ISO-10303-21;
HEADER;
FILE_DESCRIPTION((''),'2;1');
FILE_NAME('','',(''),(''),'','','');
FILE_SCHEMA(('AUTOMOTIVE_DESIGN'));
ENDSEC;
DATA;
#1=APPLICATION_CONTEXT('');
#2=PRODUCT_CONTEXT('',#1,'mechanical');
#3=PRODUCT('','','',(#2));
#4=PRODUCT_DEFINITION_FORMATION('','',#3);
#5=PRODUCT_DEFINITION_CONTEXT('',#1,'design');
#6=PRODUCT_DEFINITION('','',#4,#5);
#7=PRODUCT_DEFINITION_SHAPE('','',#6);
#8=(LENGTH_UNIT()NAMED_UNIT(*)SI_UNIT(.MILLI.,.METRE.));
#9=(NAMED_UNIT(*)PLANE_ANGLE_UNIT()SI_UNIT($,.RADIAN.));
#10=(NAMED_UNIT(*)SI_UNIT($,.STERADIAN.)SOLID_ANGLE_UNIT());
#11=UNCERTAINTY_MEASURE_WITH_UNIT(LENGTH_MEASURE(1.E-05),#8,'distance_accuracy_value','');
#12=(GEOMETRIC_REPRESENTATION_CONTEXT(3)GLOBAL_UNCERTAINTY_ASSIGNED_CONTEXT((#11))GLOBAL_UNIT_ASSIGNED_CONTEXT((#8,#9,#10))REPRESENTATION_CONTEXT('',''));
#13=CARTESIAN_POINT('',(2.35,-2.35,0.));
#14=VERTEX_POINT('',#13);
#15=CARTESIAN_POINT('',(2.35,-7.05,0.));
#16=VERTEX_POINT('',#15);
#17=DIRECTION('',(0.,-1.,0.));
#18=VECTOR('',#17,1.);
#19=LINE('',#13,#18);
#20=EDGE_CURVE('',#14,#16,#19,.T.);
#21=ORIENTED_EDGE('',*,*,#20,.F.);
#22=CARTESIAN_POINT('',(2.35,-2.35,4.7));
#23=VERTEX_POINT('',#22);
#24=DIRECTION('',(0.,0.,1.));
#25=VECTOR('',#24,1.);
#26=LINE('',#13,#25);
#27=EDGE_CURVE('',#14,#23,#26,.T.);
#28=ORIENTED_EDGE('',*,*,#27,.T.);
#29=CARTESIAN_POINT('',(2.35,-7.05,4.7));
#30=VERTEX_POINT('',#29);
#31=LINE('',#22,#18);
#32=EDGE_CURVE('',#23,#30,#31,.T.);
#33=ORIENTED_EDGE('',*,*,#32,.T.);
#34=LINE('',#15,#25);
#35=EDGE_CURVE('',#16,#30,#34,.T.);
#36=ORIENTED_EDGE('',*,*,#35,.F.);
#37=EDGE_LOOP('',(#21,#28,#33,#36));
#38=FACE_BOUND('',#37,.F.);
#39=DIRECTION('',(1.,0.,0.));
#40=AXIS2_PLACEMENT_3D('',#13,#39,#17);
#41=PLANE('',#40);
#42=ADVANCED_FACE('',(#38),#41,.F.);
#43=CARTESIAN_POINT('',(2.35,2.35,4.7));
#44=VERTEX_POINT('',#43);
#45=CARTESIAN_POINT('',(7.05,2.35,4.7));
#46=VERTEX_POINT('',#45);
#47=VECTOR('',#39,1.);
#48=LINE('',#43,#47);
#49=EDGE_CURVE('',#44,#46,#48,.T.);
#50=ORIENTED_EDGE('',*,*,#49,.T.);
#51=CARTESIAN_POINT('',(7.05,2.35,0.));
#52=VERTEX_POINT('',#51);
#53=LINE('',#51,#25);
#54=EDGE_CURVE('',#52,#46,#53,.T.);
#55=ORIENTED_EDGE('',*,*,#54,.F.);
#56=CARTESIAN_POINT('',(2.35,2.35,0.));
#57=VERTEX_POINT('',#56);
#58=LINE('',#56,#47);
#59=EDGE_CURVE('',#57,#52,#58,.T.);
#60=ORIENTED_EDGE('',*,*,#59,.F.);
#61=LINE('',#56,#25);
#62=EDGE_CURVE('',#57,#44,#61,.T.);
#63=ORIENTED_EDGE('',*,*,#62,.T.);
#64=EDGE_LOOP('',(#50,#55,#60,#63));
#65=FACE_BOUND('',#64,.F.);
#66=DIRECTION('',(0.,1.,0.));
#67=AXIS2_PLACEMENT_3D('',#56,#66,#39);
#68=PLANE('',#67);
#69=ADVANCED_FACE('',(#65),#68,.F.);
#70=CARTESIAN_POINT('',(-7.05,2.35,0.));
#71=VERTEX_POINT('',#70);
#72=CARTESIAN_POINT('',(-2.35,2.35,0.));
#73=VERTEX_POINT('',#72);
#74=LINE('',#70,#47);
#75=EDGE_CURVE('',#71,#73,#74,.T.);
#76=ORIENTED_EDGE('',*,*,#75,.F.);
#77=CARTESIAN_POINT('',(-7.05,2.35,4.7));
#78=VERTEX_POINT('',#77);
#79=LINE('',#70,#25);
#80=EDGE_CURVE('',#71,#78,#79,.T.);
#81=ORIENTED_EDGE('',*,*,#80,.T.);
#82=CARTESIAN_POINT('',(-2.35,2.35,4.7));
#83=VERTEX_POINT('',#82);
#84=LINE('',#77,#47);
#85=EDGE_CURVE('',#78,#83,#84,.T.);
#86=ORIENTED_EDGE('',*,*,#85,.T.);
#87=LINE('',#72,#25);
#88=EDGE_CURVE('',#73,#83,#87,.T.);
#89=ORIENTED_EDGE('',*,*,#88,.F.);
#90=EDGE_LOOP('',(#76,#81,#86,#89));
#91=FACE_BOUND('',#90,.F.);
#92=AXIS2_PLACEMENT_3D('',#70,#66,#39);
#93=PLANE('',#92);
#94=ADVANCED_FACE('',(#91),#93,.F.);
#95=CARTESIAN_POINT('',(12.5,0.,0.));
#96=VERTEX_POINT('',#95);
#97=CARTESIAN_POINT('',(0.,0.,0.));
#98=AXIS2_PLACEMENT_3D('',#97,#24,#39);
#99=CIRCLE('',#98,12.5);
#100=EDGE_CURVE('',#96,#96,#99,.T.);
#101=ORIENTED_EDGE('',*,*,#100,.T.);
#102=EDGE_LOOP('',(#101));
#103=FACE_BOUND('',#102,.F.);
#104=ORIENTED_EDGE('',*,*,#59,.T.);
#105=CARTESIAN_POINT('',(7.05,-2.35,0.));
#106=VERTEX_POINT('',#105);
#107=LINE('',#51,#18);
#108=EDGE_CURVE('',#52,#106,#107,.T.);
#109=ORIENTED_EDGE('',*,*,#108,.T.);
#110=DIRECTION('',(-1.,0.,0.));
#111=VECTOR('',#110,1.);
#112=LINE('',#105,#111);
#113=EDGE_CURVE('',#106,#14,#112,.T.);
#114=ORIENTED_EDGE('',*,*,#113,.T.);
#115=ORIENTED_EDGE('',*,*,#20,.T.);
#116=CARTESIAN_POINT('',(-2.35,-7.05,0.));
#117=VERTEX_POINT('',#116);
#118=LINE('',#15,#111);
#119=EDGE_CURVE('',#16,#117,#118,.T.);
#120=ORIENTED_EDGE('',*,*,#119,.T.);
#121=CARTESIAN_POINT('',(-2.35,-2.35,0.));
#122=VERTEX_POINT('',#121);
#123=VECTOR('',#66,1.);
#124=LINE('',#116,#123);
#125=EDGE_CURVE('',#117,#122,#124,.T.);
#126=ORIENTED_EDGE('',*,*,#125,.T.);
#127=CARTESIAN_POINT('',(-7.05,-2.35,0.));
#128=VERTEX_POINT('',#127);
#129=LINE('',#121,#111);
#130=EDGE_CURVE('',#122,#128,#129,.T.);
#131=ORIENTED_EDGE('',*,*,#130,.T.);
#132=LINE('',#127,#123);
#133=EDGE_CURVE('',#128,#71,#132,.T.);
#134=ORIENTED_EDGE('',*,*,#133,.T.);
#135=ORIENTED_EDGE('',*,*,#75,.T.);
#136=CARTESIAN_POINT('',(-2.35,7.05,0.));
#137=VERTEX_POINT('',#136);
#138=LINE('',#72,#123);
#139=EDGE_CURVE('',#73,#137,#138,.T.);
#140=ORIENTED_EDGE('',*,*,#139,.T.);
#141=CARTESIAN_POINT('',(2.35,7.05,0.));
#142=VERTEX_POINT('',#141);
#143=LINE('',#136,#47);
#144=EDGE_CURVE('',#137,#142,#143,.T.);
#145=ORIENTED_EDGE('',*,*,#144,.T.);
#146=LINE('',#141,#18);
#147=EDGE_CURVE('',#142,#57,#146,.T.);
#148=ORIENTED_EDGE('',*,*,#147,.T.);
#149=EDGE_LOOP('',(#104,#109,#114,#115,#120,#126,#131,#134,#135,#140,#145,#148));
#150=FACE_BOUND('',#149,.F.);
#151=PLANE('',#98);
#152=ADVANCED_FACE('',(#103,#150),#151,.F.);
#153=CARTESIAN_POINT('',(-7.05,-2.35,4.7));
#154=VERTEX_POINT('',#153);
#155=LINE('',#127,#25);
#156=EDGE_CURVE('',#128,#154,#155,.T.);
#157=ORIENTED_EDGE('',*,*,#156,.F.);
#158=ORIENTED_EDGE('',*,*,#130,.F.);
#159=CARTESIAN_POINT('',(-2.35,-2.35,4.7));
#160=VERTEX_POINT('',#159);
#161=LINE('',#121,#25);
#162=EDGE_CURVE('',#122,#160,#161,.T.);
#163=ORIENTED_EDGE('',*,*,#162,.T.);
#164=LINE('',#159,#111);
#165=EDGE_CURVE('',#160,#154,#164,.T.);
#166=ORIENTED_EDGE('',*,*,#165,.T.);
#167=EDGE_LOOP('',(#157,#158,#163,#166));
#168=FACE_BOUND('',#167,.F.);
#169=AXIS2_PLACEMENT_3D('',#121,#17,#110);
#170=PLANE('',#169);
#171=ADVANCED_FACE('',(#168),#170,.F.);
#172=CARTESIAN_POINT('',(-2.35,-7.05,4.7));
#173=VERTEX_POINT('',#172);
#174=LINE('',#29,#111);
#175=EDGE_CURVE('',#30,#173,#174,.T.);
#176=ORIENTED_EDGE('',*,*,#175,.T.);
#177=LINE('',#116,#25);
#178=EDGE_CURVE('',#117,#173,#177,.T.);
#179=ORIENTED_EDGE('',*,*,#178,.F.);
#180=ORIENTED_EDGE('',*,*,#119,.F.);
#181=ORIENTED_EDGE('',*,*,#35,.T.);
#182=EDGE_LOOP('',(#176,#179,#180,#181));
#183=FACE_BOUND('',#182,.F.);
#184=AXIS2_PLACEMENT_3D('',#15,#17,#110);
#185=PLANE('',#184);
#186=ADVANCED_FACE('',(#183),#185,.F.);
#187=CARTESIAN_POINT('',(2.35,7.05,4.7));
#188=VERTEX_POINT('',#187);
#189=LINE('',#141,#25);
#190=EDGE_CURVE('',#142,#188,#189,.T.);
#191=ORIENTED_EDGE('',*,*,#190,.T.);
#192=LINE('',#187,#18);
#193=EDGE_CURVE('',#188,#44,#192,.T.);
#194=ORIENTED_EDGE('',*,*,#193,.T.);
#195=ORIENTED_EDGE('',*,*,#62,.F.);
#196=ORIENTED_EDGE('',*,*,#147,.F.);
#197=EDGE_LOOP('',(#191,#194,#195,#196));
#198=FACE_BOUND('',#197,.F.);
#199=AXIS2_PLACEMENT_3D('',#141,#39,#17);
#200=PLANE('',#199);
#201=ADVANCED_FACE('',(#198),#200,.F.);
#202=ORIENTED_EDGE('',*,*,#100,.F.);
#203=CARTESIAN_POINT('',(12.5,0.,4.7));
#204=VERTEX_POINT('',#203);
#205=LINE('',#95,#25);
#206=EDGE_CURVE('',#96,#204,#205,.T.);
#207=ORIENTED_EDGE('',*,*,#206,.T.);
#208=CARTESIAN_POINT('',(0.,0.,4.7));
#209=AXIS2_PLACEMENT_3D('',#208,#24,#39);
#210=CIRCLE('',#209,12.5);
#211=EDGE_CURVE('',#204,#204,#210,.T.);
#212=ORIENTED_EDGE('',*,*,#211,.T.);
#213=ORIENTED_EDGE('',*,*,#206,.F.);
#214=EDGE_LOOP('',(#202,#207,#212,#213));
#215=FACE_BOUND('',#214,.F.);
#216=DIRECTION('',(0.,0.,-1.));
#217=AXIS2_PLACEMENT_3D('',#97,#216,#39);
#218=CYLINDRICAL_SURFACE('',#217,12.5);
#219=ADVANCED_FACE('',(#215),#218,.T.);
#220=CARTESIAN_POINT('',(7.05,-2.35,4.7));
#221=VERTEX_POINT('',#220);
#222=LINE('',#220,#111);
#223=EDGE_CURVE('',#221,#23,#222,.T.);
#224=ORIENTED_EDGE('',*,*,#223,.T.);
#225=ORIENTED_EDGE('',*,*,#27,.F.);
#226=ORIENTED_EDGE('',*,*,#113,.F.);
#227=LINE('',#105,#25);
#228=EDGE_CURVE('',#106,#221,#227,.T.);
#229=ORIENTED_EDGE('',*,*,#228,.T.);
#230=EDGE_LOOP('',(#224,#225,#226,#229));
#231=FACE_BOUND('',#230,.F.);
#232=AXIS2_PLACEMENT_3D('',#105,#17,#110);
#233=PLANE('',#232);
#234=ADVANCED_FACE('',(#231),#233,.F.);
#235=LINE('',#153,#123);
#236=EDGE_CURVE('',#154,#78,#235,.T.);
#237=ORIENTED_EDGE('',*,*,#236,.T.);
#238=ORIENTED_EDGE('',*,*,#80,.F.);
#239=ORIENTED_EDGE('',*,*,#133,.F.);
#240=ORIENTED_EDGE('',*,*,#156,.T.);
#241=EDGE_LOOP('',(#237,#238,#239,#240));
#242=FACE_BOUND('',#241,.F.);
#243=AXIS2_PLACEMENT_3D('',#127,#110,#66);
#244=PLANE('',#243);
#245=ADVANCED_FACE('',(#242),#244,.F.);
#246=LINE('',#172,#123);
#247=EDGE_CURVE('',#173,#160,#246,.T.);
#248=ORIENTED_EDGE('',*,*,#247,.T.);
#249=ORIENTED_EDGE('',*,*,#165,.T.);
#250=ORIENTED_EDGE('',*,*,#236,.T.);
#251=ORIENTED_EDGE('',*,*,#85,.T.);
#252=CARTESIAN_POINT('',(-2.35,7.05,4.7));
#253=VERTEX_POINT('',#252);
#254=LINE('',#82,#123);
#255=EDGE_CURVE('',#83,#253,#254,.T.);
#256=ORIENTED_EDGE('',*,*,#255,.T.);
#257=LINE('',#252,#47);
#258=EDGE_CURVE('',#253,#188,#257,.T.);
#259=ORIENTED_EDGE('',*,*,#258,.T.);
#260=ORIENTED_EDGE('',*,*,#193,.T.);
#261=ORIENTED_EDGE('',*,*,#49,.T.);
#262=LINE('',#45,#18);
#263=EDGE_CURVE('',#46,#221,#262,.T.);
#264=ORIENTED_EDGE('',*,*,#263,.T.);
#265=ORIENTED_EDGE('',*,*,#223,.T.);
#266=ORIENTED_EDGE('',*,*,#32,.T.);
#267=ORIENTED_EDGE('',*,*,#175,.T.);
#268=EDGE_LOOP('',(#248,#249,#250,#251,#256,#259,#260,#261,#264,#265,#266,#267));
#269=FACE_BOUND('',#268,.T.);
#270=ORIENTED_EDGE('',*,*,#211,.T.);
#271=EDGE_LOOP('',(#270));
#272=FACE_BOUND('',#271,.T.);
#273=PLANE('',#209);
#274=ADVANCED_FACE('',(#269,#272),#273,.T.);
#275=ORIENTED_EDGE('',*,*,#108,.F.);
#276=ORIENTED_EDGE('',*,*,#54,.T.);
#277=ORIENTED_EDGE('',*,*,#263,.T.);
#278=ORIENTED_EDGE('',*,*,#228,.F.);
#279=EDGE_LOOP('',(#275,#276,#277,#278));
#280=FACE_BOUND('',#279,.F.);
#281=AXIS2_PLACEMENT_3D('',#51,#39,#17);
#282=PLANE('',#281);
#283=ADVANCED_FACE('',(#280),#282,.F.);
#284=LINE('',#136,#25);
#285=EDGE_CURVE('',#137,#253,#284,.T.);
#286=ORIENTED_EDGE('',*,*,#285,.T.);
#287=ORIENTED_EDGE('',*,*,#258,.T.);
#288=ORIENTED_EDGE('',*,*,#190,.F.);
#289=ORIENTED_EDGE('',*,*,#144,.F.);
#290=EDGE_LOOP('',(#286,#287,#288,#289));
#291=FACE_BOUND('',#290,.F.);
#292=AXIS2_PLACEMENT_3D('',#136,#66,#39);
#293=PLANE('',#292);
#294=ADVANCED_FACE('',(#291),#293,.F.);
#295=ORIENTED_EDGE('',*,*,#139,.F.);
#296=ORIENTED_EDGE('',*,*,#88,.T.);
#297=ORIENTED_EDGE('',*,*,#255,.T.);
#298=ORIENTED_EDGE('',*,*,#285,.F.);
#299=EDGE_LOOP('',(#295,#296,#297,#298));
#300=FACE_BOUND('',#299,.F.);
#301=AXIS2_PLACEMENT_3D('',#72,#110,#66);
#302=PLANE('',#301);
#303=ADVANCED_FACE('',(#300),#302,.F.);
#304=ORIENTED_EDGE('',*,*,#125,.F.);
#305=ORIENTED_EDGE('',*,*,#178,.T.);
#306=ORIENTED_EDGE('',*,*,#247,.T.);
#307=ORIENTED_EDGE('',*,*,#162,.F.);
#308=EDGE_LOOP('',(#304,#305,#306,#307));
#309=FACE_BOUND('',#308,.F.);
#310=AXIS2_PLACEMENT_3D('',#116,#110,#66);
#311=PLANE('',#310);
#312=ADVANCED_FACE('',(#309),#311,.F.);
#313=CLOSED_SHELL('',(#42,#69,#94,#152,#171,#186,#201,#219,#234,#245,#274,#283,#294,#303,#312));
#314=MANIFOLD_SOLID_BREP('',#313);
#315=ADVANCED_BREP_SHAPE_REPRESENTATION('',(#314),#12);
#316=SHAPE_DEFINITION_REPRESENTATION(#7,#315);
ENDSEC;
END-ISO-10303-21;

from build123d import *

# Parameters (mm, degrees)
F1_R     = 12.5
F2_DEPTH = 4.7


with BuildPart() as f2:
    # F1 (on Top) → F2 (new body)
    with BuildSketch(Plane.XY):
        Circle(F1_R)
        Polygon((-7.05, -2.35), (-7.05, 2.35), (-2.35, 2.35), (-2.35, 7.05), (2.35, 7.05), (2.35, 2.35), (7.05, 2.35), (7.05, -2.35), (2.35, -2.35), (2.35, -7.05), (-2.35, -7.05), (-2.35, -2.35), align=None, mode=Mode.SUBTRACT)
    extrude(amount=F2_DEPTH)


solid = f2.part
